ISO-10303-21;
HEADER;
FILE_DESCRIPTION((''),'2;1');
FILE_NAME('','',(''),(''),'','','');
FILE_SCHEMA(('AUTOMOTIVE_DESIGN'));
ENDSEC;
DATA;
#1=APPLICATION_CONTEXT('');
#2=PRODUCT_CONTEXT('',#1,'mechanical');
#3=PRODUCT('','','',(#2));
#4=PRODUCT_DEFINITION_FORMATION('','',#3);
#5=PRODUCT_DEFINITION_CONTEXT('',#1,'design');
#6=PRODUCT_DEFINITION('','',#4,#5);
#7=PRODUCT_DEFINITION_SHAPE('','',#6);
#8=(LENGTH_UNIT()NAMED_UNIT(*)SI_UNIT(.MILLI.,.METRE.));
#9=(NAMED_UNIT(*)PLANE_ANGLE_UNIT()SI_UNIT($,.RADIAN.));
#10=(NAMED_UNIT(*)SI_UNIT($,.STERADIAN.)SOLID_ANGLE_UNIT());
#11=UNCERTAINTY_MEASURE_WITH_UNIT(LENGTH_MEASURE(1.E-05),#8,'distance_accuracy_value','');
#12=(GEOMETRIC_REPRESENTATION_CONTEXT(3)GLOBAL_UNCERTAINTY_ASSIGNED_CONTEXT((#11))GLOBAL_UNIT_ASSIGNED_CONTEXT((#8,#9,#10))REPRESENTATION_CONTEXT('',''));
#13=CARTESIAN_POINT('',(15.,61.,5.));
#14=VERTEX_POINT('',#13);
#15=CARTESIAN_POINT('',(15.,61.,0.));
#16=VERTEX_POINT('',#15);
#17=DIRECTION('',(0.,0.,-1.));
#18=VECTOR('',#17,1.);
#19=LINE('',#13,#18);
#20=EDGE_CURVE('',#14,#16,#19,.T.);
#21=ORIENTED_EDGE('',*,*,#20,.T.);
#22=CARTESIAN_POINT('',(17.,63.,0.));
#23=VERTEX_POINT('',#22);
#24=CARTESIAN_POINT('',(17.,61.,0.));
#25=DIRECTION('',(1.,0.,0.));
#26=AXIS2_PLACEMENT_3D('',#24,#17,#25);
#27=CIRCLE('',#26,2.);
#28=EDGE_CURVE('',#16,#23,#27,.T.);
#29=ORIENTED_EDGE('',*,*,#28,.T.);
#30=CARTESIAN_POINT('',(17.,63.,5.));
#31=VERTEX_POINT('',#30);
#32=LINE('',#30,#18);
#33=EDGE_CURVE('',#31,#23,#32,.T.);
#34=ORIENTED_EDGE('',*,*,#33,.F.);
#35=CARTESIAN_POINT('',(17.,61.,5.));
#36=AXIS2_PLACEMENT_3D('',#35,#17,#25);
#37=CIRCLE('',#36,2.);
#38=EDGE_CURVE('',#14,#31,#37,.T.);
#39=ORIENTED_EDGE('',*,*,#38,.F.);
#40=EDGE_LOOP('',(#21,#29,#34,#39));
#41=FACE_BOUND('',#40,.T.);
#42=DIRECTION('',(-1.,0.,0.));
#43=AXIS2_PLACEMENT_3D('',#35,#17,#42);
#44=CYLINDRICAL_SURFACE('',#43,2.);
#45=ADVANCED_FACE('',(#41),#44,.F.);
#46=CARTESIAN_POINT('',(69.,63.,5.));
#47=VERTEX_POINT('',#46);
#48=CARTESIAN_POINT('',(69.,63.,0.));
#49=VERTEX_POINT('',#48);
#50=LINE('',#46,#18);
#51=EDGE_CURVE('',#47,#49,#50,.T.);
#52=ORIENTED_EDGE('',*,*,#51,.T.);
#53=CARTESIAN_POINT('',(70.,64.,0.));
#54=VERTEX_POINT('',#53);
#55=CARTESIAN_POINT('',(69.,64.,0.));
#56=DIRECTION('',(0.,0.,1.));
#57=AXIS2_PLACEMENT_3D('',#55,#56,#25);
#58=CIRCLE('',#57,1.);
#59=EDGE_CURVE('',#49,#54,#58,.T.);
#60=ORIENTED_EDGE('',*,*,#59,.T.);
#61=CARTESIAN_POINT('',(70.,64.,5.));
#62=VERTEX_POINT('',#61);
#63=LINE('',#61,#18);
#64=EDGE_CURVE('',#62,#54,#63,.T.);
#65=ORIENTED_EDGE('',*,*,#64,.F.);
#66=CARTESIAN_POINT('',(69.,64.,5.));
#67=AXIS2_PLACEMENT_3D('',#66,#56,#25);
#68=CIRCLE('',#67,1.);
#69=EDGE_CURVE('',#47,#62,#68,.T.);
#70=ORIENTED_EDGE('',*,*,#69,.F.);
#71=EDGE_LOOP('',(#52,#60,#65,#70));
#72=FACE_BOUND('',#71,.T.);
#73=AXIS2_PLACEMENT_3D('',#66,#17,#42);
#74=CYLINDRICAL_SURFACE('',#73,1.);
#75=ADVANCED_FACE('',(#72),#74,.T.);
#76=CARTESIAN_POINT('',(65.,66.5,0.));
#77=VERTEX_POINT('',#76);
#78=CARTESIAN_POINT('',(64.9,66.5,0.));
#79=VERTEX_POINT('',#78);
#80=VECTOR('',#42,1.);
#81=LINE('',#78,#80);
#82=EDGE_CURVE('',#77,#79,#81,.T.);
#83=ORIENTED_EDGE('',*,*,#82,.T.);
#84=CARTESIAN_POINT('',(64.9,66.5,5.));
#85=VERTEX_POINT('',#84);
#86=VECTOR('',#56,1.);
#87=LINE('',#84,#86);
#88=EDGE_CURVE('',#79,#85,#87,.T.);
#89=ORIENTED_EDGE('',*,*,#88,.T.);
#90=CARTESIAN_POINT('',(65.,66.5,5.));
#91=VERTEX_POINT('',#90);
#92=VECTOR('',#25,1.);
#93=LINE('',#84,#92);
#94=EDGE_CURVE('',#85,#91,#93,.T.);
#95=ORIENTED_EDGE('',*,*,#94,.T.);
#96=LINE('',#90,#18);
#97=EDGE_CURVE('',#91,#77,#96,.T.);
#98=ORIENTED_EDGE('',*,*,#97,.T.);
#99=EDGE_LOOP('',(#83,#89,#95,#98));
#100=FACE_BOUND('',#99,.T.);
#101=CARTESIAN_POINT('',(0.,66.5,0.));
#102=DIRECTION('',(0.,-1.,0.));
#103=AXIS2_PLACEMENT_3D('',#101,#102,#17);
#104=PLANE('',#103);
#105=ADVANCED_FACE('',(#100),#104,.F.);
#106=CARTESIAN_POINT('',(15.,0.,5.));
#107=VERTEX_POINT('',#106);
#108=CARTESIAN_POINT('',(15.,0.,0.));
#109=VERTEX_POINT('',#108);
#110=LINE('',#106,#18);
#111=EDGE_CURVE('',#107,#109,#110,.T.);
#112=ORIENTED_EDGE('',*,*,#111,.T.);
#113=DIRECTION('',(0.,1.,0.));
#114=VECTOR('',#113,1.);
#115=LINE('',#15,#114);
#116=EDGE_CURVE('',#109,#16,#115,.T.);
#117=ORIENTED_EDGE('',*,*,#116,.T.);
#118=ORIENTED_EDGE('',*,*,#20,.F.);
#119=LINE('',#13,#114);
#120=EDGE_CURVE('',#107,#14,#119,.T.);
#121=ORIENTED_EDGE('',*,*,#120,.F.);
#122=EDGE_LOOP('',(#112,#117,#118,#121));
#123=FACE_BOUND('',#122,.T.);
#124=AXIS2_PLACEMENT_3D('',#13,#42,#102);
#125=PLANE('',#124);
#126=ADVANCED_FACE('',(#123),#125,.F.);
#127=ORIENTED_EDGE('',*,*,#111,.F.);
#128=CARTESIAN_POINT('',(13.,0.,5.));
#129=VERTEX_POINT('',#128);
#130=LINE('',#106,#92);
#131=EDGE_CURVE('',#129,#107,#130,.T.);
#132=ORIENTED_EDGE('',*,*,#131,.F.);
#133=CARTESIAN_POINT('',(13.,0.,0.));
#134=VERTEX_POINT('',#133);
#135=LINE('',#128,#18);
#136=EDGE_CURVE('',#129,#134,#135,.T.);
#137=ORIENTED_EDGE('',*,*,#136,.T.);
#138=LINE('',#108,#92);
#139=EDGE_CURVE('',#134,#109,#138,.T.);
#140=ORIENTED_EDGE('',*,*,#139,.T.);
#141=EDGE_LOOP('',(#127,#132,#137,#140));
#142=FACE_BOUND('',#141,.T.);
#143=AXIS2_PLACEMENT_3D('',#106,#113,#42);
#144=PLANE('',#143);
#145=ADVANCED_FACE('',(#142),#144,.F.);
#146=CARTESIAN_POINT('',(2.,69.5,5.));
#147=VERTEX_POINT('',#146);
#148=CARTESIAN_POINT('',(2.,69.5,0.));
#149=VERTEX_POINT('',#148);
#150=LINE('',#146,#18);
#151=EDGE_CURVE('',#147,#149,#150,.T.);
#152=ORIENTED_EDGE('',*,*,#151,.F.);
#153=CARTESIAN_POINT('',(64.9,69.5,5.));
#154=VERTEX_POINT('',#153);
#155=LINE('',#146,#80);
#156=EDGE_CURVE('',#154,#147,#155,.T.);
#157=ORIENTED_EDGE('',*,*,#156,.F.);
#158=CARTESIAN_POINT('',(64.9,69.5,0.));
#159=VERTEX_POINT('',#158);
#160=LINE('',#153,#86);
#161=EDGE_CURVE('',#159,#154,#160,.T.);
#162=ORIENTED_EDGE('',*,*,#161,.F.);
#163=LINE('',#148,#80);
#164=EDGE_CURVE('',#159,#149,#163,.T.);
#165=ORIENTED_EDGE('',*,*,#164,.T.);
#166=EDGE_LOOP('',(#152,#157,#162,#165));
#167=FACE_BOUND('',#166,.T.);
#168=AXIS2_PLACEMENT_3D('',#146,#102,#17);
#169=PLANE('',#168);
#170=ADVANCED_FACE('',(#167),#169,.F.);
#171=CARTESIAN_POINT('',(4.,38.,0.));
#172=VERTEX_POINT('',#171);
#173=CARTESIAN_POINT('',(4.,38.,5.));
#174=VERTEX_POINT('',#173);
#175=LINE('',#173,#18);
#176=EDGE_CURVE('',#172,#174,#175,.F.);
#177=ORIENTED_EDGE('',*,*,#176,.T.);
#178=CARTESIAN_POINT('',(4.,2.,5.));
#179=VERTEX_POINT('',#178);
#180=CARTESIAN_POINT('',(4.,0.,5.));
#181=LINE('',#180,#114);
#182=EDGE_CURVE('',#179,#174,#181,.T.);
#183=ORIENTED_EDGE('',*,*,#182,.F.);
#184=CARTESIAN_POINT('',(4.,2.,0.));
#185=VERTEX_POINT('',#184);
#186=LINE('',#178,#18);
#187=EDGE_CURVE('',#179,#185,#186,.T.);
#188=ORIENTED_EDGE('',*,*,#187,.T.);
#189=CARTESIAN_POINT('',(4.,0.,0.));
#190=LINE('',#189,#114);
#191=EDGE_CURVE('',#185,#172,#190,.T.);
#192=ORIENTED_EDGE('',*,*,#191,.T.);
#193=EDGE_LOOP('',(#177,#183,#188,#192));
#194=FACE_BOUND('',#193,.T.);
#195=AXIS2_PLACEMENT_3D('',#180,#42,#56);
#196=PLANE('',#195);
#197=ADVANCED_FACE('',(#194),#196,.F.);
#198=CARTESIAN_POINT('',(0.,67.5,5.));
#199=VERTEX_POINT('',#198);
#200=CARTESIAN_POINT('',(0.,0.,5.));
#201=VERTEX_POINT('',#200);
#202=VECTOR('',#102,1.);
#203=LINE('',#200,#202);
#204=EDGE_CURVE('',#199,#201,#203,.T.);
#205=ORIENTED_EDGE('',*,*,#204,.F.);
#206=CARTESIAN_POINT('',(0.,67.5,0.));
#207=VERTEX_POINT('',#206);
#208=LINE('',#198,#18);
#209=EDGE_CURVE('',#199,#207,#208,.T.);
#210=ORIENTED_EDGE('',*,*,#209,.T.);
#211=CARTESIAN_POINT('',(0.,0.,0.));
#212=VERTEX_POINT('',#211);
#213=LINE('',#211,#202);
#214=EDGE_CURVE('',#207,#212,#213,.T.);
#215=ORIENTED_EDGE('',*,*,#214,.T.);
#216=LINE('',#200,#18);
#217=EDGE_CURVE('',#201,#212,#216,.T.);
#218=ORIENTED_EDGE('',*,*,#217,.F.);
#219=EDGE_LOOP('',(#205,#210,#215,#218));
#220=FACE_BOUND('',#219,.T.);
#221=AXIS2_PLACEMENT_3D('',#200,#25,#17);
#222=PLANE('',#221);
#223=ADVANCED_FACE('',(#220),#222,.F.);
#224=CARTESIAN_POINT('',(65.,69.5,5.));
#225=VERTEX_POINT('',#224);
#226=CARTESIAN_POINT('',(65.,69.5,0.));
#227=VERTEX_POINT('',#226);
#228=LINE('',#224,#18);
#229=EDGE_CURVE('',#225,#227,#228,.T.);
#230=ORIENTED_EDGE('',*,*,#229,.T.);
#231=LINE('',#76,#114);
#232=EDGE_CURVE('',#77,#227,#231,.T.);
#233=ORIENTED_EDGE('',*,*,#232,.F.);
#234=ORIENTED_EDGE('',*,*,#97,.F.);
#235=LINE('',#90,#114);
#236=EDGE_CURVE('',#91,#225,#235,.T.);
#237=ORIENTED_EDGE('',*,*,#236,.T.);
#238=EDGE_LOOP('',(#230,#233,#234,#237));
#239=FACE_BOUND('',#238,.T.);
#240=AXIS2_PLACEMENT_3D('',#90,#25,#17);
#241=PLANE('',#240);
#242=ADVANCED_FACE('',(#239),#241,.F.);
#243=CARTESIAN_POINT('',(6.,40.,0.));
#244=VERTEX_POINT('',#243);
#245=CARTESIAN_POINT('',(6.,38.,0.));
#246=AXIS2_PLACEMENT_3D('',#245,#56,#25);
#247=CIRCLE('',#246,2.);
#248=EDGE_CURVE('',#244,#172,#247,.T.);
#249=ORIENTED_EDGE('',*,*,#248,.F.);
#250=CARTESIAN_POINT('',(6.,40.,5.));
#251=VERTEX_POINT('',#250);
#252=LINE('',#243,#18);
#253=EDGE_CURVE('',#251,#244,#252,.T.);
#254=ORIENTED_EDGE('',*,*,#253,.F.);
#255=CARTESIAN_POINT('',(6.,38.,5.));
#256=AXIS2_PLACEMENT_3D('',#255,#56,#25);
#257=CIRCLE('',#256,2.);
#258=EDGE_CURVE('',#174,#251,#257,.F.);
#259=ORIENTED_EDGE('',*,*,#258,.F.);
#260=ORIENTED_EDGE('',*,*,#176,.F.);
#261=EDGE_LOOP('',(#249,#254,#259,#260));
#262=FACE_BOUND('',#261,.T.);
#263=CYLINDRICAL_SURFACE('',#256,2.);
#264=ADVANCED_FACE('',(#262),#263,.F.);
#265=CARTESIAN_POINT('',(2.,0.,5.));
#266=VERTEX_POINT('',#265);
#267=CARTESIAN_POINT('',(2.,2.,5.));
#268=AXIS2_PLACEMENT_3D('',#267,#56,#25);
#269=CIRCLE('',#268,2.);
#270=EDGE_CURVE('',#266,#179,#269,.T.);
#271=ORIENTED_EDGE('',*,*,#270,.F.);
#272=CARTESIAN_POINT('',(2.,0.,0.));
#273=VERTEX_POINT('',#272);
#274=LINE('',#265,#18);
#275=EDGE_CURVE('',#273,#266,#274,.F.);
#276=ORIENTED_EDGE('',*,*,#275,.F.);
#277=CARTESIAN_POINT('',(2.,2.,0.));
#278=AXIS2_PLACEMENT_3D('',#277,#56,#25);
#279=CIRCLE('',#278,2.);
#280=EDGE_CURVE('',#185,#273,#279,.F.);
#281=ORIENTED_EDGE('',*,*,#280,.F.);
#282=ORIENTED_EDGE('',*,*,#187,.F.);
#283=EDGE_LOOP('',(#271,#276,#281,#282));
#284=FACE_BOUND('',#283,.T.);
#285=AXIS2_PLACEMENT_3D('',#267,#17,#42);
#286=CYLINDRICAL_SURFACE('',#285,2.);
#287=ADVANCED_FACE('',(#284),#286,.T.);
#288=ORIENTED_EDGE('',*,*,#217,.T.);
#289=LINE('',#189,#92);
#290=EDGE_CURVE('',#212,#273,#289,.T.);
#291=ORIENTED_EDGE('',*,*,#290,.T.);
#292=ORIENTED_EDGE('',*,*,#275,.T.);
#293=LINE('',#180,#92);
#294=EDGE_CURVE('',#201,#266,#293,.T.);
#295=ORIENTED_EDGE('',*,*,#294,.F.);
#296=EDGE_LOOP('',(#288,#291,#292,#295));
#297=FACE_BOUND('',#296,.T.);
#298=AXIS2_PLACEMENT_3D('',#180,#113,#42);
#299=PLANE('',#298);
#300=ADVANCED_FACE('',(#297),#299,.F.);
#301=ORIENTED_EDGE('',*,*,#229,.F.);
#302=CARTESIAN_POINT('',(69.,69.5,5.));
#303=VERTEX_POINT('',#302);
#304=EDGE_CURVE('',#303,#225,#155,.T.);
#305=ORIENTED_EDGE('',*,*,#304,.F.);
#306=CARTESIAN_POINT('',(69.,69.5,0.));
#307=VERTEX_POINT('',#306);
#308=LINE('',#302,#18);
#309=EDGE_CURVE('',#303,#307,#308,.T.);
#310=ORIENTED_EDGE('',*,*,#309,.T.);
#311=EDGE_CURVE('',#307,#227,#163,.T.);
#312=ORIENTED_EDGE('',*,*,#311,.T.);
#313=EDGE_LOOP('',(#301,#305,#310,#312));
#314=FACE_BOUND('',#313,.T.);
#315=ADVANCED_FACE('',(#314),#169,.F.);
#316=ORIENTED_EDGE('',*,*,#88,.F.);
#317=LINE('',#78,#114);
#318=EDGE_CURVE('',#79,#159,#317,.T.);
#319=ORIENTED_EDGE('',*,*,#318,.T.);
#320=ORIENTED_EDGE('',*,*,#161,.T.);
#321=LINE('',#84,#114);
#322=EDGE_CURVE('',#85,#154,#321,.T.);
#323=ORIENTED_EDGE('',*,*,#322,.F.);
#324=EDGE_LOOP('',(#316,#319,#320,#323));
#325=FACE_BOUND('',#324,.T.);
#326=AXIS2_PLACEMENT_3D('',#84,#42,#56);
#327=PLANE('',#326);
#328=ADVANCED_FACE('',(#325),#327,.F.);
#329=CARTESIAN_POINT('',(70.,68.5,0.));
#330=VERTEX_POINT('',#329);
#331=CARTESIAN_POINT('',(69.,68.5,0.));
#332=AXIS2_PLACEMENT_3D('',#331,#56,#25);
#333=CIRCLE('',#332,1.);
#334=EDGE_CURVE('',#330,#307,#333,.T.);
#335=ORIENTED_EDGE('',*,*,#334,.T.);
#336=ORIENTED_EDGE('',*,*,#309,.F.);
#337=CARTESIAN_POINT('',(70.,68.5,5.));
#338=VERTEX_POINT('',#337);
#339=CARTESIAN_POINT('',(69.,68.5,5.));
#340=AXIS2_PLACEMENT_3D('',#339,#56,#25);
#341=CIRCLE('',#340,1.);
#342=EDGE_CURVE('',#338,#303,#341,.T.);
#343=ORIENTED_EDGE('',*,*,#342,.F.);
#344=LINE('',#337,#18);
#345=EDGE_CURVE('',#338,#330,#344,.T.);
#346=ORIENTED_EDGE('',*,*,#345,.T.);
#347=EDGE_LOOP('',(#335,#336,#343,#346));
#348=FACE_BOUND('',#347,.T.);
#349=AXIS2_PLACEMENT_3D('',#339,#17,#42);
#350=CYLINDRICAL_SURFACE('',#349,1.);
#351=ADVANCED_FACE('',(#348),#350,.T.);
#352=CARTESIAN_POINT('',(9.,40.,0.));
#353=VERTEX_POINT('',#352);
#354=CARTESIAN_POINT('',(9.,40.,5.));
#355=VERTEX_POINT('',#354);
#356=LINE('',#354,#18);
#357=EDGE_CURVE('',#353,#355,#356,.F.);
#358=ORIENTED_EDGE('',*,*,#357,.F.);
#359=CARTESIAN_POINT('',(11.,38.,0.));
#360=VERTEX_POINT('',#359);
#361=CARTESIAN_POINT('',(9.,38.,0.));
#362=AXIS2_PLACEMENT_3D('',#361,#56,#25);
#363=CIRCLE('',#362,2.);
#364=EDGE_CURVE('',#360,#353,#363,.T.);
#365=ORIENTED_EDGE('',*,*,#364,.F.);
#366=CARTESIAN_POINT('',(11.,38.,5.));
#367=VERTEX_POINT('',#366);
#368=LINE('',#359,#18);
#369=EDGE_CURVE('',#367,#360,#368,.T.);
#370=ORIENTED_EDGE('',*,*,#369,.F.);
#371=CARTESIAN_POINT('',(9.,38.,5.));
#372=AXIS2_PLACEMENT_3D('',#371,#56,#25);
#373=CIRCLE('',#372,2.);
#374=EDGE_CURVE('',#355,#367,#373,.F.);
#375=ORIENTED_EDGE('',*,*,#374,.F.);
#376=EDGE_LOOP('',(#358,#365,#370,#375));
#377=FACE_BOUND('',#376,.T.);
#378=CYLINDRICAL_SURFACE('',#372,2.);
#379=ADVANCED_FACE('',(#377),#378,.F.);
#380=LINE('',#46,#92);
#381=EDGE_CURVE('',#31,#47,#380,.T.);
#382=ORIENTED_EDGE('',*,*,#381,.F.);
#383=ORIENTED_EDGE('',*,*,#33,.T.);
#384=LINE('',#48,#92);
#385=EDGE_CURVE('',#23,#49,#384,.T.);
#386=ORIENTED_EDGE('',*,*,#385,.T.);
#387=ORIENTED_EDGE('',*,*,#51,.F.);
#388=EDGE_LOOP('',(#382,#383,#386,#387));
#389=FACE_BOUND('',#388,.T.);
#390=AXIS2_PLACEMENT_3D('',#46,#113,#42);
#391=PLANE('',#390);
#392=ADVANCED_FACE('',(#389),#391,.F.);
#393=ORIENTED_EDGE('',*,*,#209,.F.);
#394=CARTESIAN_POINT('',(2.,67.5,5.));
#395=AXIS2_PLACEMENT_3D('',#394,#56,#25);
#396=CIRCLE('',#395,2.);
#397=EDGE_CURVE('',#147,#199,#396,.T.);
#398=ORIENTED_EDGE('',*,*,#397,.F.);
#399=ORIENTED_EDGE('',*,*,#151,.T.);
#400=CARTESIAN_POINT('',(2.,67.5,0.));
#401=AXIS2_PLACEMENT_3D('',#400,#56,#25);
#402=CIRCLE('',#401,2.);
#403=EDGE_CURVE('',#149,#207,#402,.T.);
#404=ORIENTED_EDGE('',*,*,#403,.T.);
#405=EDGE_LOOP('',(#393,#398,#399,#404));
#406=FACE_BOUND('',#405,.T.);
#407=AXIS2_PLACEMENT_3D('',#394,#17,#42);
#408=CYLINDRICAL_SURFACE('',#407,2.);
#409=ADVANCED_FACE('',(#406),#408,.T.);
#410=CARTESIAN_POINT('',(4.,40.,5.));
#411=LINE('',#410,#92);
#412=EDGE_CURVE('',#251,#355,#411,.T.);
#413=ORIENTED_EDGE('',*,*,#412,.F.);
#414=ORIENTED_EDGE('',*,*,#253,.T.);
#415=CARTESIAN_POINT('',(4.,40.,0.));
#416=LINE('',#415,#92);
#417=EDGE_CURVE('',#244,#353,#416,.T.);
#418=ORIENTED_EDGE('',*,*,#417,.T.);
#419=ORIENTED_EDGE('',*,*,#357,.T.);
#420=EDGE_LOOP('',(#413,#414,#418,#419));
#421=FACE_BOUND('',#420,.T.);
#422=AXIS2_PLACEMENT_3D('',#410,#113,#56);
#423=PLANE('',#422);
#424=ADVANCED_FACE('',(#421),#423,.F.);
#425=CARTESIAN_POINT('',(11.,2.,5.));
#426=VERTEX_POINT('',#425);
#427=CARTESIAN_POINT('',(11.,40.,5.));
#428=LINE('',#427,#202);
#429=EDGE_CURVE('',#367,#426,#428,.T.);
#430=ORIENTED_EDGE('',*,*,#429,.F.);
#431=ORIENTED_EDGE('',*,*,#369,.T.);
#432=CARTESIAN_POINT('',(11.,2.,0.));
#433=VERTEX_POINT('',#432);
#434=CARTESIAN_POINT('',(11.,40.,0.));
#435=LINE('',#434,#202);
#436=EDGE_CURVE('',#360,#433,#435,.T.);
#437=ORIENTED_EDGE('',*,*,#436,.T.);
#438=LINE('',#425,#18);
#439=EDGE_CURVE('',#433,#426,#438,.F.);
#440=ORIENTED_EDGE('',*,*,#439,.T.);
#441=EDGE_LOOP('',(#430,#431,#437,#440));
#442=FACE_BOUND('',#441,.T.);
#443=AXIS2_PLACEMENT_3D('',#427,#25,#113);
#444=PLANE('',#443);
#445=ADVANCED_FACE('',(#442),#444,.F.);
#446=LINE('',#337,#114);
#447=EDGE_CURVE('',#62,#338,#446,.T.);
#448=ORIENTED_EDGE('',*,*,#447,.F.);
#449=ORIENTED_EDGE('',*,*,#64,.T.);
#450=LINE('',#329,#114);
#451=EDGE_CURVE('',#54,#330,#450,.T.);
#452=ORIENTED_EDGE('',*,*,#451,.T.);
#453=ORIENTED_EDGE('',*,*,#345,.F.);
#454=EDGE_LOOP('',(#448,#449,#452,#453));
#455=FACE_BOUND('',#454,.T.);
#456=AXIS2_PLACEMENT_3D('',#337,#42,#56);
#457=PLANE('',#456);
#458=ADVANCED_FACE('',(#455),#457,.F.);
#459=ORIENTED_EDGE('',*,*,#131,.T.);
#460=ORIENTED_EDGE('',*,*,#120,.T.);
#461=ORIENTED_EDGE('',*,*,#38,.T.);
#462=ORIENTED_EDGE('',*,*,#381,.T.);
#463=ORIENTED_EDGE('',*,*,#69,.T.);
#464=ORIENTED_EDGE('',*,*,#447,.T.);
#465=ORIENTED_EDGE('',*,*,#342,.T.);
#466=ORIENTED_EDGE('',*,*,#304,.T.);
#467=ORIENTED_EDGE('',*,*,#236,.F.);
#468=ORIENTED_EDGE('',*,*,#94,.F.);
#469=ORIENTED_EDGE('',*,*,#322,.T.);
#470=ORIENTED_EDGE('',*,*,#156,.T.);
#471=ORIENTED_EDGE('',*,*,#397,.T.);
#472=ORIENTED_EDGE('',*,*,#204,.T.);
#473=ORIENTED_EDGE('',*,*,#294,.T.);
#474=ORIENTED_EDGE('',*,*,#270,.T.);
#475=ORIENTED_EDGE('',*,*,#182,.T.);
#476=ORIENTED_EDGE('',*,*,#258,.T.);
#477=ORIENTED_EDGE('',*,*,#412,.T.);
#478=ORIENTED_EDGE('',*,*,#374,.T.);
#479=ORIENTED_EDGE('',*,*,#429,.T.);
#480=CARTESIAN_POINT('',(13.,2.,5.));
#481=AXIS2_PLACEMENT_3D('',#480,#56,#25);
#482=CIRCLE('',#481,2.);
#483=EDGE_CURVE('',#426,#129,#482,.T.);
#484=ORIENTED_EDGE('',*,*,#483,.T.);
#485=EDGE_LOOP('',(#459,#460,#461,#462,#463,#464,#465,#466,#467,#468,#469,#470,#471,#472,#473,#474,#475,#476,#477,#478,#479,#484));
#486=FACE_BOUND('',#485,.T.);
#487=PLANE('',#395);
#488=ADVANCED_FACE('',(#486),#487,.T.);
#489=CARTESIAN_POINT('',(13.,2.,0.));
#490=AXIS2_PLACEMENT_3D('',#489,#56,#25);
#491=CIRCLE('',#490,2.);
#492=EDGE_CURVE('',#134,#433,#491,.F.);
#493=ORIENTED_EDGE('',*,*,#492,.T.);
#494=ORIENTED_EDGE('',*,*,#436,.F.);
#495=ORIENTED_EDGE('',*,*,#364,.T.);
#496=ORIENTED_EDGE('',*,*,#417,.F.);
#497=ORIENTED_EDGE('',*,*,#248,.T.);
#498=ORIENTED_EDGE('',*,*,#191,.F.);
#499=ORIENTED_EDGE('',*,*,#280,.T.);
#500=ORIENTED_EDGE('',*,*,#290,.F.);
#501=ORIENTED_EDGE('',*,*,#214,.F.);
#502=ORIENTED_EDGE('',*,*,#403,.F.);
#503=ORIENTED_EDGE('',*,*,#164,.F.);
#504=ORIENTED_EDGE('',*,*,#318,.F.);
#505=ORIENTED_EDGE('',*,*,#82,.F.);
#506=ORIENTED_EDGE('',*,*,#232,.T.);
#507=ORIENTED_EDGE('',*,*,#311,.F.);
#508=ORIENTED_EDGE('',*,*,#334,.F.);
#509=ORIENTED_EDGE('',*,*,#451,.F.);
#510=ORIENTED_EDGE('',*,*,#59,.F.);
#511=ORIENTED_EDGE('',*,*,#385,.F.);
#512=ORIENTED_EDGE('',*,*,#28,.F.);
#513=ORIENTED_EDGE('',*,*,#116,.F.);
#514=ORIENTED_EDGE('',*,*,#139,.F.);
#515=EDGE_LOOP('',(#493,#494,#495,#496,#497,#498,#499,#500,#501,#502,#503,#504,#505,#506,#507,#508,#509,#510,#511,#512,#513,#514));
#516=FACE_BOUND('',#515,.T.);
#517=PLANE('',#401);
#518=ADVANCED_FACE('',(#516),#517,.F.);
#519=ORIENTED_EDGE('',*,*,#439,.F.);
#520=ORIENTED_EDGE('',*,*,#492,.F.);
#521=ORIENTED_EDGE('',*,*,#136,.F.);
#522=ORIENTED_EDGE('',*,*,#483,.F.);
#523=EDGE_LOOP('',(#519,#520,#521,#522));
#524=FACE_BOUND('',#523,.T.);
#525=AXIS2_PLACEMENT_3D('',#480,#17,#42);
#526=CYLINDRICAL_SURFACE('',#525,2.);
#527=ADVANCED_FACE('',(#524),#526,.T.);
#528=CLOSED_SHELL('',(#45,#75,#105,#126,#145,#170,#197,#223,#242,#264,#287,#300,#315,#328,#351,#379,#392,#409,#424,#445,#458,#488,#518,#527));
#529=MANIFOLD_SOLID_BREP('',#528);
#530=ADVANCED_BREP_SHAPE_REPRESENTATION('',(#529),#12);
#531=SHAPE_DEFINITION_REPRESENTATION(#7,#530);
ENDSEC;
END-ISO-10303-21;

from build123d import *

# Parameters (mm, degrees)
BOSS_EXTRUDE1_DEPTH = 5
SKETCH3_W           = 0.1
SKETCH3_H           = 5
CUT_EXTRUDE1_DEPTH  = 3
FILLET1_R           = 2


with BuildPart() as part:
    # Sketch1 → Boss-Extrude1 (new body)
    with BuildSketch(Plane.XY):
        with BuildLine():
            Line((0, 0), (0, 67.5))
            ThreePointArc((0, 67.5), (0.585786438, 68.914213562), (2, 69.5))
            Line((2, 69.5), (69, 69.5))
            ThreePointArc((69, 69.5), (69.707106781, 69.207106781), (70, 68.5))
            Line((70, 68.5), (70, 64))
            ThreePointArc((70, 64), (69.707106781, 63.292893219), (69, 63))
            Line((69, 63), (17, 63))
            ThreePointArc((17, 63), (15.585786438, 62.414213562), (15, 61))
            Line((15, 61), (15, 0))
            Line((15, 0), (11, 0))
            Line((11, 0), (11, 40))
            Line((11, 40), (4, 40))
            Line((4, 40), (4, 0))
            Line((4, 0), (0, 0))
        make_face()
    extrude(amount=BOSS_EXTRUDE1_DEPTH)

    # Sketch3 → Cut-Extrude1 (cut)
    with BuildSketch(Plane(origin=(0, 69.5, 0), x_dir=(1, 0, 0), z_dir=(0, 1, 0))):
        with Locations((64.95, -2.5)):
            Rectangle(SKETCH3_W, SKETCH3_H)
    extrude(amount=-CUT_EXTRUDE1_DEPTH, mode=Mode.SUBTRACT)

    # Fillet1
    fillet1_edges = [part.edges().sort_by_distance(p)[0] for p in [
        (11, 0, 2.5),
        (11, 40, 2.5),
        (4, 40, 2.5),
        (4, 0, 2.5),
    ]]
    fillet(fillet1_edges, radius=FILLET1_R)


solid = part.part
